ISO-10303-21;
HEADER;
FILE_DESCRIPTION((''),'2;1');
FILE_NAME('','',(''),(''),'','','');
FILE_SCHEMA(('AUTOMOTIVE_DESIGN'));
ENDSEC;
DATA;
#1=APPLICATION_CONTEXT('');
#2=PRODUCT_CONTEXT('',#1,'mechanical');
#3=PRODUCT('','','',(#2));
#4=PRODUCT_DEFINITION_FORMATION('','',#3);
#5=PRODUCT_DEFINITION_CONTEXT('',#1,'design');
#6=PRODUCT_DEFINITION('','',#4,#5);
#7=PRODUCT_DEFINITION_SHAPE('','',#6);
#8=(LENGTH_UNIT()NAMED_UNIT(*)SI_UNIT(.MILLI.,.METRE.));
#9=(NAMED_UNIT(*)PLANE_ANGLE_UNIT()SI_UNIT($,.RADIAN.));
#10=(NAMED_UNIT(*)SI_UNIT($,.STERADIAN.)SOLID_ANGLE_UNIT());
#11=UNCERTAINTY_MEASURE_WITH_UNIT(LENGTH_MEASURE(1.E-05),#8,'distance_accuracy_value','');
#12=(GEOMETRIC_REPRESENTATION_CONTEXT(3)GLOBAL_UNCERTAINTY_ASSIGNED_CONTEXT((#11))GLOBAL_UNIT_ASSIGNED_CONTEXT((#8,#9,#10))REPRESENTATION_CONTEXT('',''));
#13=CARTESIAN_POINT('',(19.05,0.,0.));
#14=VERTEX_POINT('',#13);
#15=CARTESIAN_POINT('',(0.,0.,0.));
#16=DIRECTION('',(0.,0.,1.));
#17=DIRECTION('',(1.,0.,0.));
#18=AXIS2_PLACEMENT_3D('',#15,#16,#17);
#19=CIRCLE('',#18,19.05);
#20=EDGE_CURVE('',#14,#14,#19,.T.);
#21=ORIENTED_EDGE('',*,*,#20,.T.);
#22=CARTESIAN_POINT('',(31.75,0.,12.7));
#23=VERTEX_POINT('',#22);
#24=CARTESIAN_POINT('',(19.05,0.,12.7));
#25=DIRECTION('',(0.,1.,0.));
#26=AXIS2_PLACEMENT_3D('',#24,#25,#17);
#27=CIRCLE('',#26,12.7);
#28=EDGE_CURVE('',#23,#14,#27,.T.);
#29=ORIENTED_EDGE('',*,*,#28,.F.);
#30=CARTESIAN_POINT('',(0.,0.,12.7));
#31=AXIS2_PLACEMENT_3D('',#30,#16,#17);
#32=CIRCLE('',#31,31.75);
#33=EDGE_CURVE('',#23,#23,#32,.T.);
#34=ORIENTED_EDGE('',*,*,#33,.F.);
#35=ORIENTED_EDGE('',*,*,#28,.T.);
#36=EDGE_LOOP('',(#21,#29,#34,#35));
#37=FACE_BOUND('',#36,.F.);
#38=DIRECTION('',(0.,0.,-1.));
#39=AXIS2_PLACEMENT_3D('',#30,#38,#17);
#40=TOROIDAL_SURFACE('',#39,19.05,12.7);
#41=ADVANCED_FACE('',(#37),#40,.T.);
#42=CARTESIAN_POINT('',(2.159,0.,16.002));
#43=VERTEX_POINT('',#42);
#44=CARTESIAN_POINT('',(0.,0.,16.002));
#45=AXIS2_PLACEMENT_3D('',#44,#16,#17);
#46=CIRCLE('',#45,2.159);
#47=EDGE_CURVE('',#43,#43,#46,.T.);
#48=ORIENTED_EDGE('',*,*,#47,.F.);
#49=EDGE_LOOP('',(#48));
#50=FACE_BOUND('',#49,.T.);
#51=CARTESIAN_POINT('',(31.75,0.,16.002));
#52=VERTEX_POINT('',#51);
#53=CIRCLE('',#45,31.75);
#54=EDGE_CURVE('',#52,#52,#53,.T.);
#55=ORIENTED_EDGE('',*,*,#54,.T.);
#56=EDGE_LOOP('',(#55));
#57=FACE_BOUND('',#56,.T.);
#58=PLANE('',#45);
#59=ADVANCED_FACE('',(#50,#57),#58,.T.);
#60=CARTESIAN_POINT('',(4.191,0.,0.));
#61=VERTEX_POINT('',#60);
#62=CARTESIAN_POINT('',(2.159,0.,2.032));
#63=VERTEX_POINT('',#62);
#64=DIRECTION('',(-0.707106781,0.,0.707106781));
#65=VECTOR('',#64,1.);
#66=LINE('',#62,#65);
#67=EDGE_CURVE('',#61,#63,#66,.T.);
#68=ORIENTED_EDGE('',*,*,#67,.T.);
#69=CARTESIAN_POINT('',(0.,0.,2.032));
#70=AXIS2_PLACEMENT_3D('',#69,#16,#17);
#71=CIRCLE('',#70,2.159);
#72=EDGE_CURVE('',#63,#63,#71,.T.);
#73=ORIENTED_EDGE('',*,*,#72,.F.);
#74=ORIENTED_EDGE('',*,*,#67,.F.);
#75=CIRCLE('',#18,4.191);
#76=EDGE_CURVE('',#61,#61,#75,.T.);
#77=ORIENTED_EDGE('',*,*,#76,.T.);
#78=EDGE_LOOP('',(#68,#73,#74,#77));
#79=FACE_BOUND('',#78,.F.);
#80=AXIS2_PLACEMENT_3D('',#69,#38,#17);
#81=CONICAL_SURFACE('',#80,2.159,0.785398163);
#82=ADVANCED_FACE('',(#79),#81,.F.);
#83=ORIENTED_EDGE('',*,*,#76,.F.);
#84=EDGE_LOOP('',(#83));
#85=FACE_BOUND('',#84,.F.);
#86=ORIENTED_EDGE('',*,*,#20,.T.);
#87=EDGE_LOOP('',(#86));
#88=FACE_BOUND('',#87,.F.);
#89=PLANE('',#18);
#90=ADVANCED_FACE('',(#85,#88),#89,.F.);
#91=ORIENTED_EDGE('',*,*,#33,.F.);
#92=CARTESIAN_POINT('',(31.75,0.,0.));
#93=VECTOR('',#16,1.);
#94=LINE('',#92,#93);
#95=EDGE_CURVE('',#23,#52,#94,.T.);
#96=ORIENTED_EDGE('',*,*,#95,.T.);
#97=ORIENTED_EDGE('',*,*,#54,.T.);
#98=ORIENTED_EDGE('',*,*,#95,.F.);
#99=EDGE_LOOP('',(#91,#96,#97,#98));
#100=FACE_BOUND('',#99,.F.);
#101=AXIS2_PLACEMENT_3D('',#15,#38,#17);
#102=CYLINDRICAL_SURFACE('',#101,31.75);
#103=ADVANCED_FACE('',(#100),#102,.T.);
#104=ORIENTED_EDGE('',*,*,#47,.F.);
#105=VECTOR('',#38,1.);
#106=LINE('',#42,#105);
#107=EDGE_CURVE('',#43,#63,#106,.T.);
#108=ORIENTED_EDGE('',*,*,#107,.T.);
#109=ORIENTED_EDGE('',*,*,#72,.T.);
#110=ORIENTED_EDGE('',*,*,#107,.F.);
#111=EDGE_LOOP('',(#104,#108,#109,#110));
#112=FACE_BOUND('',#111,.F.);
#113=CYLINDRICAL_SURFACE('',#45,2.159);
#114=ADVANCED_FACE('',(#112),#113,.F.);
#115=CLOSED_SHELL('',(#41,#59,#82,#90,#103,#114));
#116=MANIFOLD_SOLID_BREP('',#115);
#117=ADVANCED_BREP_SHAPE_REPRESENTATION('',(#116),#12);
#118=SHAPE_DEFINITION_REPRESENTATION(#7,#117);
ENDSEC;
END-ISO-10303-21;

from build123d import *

# Parameters (mm, degrees)
F0_R     = 31.75
F1_DEPTH = 16.002
F2_R     = 12.7
F3_R     = 2.159
F4_DEPTH = 16.003
F5_SIZE  = 2.032


with BuildPart() as f1:
    # F0 (on Top) → F1 (new body)
    with BuildSketch(Plane.XY):
        Circle(F0_R)
    extrude(amount=F1_DEPTH)

    # F2
    f2_edges = [f1.edges().sort_by_distance(p)[0] for p in [
        (-31.75, 0, 0),
    ]]
    fillet(f2_edges, radius=F2_R)

    # F3 (on face) → F4 (cut, through all)
    with BuildSketch(Plane.XY.offset(16.002)):
        Circle(F3_R)
    extrude(amount=-F4_DEPTH, mode=Mode.SUBTRACT)

    # F5
    f5_edges = [f1.edges().sort_by_distance(p)[0] for p in [
        (-2.159, 0, 0),
    ]]
    chamfer(f5_edges, length=F5_SIZE)


solid = f1.part
